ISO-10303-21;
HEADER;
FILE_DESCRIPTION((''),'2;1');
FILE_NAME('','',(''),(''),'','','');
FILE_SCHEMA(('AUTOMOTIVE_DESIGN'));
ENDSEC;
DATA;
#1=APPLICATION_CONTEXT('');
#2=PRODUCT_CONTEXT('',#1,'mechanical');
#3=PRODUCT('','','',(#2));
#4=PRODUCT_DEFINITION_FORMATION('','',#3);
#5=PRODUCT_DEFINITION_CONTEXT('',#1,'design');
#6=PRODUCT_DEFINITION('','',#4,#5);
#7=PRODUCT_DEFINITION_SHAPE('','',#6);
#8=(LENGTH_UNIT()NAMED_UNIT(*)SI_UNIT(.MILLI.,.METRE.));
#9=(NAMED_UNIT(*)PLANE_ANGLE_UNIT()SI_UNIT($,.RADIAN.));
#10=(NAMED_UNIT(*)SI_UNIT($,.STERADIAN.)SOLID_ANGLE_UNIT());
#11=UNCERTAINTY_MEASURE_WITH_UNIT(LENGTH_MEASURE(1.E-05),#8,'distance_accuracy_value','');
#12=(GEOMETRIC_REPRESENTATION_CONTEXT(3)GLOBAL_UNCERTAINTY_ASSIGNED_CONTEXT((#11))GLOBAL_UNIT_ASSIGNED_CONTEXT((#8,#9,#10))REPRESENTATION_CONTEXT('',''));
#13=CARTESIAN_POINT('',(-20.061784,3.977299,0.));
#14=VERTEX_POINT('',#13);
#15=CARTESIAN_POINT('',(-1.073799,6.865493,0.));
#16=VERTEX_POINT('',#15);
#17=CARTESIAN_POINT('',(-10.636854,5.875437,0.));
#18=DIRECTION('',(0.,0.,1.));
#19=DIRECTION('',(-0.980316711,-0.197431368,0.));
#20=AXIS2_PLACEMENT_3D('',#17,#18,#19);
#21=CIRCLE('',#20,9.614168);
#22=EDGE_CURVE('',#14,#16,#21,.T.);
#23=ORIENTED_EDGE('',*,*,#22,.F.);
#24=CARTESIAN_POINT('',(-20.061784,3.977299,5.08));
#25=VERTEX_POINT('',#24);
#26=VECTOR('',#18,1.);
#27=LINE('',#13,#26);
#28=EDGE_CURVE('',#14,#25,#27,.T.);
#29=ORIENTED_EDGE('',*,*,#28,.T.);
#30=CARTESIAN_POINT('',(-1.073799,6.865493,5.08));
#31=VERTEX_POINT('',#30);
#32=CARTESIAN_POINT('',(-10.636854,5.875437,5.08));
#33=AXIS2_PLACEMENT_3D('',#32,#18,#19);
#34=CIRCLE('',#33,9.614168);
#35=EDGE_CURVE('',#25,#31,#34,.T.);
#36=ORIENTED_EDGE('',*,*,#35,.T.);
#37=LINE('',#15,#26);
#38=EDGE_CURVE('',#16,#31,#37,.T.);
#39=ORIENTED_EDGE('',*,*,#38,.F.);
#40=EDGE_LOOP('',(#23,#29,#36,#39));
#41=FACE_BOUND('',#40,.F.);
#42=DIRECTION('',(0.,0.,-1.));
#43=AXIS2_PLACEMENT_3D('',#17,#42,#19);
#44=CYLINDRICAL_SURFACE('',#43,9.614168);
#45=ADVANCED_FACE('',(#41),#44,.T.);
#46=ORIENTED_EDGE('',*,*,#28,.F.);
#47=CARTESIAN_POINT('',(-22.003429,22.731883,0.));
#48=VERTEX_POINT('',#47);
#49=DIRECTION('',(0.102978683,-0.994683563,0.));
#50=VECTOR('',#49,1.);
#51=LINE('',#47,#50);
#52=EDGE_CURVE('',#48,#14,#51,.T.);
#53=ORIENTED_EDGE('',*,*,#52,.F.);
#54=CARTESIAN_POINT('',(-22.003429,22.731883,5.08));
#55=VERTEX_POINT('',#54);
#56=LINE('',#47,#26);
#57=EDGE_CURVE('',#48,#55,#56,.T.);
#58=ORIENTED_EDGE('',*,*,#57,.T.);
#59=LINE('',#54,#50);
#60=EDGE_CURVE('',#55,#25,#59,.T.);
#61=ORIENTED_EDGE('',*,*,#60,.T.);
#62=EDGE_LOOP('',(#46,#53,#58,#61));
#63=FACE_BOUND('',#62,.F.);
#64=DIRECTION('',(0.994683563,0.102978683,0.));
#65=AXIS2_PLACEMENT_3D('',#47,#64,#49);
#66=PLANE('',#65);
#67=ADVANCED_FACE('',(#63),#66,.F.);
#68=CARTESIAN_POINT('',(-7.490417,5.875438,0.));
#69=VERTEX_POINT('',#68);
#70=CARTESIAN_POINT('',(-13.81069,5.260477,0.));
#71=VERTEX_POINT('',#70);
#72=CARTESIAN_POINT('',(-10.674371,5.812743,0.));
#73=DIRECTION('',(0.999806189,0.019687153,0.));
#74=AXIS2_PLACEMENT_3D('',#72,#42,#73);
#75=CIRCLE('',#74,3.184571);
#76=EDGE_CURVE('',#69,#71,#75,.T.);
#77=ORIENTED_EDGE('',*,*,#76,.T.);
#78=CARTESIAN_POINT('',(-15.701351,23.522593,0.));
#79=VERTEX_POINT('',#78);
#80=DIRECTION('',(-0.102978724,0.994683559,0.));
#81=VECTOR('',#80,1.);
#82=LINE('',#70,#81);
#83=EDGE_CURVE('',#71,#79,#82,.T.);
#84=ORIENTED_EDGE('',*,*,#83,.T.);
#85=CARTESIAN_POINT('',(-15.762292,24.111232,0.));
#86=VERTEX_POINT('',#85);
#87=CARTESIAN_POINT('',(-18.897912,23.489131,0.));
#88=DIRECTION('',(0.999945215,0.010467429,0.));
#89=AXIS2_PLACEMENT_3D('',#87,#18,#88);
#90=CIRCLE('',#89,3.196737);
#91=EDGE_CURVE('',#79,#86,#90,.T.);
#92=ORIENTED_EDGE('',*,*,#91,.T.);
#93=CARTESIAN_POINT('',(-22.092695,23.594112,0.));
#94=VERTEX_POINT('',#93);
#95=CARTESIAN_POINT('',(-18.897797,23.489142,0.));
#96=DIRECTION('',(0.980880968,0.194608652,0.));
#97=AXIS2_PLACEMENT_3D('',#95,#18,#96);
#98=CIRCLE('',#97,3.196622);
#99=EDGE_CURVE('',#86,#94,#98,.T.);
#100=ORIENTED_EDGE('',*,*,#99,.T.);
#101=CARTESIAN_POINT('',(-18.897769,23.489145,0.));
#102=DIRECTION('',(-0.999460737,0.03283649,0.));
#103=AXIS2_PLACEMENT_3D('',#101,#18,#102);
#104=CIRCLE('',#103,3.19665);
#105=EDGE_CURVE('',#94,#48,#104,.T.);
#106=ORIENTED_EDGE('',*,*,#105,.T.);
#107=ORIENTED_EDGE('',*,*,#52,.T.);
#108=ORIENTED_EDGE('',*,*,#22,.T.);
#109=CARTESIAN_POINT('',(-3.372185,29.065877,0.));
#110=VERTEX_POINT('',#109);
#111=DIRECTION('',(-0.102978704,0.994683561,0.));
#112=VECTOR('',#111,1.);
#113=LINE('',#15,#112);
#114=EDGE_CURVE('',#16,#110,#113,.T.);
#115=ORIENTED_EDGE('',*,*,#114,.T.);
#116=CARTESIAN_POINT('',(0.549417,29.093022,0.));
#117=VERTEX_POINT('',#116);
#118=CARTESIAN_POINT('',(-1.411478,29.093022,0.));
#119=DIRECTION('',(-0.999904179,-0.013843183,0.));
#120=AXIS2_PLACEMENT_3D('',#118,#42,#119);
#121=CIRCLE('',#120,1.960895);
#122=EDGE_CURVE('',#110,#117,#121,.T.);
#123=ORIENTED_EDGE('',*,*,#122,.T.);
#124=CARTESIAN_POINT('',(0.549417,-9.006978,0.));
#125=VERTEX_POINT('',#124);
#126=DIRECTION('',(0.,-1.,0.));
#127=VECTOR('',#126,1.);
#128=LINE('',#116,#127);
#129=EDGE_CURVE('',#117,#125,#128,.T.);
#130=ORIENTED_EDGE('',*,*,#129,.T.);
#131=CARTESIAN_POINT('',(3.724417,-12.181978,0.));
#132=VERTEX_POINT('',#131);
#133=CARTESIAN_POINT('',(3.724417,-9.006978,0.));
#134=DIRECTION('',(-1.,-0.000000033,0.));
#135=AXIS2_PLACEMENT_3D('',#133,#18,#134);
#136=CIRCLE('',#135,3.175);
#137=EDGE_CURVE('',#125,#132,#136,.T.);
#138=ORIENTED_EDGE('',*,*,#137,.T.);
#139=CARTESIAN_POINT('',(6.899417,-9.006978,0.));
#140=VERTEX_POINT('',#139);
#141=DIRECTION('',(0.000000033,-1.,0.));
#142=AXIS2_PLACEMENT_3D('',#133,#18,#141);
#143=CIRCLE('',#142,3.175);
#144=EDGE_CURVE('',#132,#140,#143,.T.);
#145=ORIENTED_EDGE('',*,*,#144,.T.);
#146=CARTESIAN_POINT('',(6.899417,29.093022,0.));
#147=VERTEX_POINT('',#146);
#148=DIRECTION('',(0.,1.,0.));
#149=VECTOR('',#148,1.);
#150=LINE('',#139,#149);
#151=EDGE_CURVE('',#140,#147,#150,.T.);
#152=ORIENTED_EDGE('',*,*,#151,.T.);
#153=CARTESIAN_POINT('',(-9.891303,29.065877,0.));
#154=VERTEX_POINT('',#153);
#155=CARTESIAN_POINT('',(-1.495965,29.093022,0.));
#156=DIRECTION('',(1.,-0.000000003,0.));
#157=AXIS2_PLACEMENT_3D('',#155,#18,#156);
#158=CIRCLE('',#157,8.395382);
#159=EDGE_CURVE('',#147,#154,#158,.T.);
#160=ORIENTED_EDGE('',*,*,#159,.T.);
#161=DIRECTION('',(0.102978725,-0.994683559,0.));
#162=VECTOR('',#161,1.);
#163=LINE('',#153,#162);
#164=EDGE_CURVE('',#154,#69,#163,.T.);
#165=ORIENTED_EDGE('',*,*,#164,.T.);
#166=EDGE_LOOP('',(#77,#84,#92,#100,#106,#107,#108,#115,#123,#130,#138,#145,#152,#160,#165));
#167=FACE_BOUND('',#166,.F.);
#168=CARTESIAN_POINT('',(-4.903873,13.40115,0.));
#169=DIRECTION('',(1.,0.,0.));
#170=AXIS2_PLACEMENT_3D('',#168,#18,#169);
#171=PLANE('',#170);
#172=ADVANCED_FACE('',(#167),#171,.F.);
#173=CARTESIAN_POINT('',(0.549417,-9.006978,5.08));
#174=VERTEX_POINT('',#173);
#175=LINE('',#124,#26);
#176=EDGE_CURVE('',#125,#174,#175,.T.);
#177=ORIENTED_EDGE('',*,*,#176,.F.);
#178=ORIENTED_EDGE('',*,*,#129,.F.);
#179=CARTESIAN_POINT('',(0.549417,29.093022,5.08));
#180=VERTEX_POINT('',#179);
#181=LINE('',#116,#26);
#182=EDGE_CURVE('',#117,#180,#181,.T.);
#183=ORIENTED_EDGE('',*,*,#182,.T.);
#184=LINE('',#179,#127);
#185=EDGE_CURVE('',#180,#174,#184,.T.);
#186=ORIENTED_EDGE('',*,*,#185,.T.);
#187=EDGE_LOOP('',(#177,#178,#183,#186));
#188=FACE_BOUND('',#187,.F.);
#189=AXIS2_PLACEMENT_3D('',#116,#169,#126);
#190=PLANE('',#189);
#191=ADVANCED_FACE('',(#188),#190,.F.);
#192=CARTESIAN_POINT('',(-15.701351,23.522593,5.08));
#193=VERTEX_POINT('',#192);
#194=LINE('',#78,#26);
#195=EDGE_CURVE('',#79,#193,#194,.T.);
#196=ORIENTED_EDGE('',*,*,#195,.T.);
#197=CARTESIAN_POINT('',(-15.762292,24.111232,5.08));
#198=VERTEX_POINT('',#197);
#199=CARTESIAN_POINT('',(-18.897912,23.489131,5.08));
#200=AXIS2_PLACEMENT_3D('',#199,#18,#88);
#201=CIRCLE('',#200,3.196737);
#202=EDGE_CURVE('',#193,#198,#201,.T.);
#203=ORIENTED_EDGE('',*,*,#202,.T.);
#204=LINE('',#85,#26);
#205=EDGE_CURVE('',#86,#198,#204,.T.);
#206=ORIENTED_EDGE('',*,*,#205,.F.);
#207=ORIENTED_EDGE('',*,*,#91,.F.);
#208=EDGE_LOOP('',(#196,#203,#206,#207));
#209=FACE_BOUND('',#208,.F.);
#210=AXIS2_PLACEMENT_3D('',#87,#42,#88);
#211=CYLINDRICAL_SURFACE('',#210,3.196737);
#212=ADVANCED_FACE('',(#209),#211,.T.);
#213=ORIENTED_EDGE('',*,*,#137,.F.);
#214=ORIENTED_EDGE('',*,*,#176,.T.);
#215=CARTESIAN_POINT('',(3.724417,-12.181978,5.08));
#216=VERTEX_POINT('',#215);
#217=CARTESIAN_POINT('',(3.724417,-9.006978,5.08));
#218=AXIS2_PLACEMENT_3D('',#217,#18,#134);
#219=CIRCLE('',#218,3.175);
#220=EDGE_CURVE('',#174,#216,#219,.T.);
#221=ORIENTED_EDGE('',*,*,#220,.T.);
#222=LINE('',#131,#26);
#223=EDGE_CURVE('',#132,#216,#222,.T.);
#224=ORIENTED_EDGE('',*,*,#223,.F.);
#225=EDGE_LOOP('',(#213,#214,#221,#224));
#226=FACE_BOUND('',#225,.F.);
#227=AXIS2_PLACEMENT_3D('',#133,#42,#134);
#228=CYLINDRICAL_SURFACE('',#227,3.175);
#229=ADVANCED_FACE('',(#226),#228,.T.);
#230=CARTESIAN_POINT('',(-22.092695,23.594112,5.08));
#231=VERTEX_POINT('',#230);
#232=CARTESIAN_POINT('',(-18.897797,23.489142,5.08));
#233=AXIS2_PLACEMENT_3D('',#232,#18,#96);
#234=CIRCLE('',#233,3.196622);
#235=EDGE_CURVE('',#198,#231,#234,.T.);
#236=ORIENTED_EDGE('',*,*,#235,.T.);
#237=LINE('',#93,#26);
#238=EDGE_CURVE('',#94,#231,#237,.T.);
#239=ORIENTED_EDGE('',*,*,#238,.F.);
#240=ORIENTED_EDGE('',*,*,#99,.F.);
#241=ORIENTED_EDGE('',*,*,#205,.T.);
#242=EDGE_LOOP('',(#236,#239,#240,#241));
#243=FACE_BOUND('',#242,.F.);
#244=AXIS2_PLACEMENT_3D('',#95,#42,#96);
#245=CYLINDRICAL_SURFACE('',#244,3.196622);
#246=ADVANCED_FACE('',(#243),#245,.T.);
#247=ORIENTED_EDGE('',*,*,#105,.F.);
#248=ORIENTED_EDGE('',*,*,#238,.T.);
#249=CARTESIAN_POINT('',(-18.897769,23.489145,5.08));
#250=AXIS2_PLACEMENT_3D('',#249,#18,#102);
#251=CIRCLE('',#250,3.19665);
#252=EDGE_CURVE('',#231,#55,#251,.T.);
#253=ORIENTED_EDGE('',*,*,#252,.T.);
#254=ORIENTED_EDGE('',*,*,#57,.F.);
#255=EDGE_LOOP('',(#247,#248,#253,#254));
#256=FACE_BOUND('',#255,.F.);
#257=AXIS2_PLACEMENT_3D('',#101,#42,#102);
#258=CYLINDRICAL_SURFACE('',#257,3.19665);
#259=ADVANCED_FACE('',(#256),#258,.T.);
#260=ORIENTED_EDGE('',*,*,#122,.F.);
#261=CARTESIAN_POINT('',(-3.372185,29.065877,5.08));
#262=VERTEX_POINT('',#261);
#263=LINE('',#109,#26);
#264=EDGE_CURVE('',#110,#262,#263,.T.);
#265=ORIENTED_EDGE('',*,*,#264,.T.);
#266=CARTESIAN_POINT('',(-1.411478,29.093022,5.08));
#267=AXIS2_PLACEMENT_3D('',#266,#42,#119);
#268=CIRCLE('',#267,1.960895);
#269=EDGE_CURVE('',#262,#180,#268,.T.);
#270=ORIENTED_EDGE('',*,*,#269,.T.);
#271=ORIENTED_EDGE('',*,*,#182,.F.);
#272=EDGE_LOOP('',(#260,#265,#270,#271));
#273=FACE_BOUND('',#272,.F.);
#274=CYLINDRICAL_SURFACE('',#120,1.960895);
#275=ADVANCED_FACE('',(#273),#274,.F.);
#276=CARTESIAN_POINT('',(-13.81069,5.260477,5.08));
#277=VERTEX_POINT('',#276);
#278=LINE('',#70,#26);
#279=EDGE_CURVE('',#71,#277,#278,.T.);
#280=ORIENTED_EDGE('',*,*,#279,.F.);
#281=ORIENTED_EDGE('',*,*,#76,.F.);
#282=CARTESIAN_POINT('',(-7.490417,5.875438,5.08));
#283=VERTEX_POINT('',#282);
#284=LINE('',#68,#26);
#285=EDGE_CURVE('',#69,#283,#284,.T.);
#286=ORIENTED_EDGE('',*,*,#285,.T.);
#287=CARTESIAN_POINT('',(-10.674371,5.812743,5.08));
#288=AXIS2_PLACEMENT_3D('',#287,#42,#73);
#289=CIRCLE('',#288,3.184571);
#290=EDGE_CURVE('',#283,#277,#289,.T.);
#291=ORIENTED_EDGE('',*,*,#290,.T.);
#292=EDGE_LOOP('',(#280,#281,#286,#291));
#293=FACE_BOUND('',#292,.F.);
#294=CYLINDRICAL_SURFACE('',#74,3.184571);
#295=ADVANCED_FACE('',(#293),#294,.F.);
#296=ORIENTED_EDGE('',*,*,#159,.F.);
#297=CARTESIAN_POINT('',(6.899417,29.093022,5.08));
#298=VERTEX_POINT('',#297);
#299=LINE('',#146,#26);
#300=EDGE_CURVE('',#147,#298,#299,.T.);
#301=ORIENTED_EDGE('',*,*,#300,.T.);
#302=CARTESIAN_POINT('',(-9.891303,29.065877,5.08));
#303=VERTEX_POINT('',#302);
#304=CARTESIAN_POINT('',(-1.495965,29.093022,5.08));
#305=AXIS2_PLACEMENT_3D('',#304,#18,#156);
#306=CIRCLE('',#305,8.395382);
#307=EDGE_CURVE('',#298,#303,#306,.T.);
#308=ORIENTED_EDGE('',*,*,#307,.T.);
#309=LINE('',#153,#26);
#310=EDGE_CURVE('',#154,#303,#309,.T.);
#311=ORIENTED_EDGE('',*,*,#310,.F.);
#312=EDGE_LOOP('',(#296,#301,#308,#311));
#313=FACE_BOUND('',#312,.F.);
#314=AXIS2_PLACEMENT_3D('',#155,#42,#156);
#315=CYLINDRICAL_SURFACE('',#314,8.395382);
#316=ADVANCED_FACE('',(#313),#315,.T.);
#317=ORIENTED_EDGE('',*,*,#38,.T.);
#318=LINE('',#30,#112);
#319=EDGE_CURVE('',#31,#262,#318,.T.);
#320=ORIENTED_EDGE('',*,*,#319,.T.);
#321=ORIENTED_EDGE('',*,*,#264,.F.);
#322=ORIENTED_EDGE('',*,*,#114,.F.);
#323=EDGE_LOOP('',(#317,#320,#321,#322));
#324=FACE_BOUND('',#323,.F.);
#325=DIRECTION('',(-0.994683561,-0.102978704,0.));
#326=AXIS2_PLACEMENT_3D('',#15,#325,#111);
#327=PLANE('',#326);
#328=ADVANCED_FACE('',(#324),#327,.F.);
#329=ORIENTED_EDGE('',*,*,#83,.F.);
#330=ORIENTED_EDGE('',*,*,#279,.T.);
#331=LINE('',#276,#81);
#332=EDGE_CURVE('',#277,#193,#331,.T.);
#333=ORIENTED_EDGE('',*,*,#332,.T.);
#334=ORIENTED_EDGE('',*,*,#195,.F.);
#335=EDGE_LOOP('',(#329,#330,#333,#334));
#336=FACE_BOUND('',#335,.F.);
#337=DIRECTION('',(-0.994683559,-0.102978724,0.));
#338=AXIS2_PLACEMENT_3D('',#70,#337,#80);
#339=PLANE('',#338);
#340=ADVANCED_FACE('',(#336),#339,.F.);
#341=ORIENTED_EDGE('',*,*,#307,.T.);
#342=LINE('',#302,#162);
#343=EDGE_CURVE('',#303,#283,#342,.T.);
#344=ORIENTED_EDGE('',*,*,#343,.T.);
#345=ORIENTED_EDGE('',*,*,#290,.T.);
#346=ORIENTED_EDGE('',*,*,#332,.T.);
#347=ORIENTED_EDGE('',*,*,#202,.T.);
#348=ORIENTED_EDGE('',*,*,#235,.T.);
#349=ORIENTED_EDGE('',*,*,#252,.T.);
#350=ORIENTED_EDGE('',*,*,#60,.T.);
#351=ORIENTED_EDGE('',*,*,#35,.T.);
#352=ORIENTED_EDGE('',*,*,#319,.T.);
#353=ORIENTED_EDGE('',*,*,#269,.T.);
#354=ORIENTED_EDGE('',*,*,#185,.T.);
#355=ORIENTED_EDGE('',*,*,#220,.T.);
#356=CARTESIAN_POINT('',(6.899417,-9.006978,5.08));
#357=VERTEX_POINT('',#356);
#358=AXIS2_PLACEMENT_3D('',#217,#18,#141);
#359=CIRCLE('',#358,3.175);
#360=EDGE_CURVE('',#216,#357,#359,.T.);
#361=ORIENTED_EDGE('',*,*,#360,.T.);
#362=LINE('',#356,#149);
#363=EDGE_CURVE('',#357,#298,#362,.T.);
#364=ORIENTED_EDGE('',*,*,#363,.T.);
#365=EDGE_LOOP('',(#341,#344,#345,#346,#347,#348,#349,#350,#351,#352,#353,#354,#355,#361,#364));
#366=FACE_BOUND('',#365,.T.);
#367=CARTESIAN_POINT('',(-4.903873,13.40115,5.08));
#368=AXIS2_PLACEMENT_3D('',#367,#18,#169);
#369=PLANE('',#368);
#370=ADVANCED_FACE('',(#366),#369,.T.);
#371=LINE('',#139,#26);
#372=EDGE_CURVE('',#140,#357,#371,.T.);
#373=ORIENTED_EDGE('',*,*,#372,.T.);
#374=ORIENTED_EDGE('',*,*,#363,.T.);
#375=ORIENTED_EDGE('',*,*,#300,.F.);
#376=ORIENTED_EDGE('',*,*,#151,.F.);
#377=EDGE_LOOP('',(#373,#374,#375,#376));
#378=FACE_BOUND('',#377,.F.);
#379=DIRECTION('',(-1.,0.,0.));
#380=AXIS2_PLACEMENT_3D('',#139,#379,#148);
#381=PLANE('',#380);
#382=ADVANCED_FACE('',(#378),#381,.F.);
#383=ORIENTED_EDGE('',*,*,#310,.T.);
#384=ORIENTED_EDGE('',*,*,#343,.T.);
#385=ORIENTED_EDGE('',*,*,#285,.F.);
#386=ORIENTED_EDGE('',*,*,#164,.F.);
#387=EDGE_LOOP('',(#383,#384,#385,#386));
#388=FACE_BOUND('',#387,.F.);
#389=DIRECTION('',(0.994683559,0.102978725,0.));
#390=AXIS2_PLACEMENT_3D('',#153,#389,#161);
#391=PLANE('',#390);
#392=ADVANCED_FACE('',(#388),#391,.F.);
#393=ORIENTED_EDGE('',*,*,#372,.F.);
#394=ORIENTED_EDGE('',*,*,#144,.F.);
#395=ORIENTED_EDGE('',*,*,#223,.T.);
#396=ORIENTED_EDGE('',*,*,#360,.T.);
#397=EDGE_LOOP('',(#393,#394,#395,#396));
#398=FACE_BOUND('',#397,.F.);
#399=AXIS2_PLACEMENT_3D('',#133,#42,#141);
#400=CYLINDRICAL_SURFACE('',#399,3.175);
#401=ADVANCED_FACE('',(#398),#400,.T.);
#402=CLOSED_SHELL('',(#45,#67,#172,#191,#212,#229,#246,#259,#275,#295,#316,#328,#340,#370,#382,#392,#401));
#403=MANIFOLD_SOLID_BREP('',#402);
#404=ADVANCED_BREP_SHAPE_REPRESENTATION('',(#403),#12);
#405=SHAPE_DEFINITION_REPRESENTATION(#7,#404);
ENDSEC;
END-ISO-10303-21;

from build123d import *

# Parameters (mm, degrees)
F1_DEPTH = 5.08


with BuildPart() as f1:
    # F0 (on Top) → F1 (new body)
    with BuildSketch(Plane.XY):
        with BuildLine():
            Line((0.549417, 29.093022), (0.549417, -9.006978))
            ThreePointArc((0.549417, -9.006978), (1.479353, -11.252042), (3.724417, -12.181978))
            ThreePointArc((3.724417, -12.181978), (5.969481, -11.252042), (6.899417, -9.006978))
            Line((6.899417, -9.006978), (6.899417, 29.093022))
            ThreePointArc((6.899417, 29.093022), (-1.509537, 37.488393), (-9.891303, 29.065877))
            Line((-9.891303, 29.065877), (-7.490417, 5.875438))
            ThreePointArc((-7.490417, 5.875438), (-10.365969, 2.64314), (-13.81069, 5.260477))
            Line((-13.81069, 5.260477), (-15.701351, 23.522593))
            Line((-15.701351, 23.522593), (-15.762292, 24.111232))
            ThreePointArc((-15.762292, 24.111232), (-19.158057, 26.675151), (-22.092695, 23.594112))
            Line((-22.092695, 23.594112), (-22.003429, 22.731883))
            Line((-22.003429, 22.731883), (-20.061784, 3.977299))
            ThreePointArc((-20.061784, 3.977299), (-9.191107, -3.629406), (-1.073799, 6.865493))
            Line((-1.073799, 6.865493), (-3.372185, 29.065877))
            ThreePointArc((-3.372185, 29.065877), (-1.425051, 31.05387), (0.549417, 29.093022))
        make_face()
        with BuildLine():
            ThreePointArc((-22.092695, 23.594112), (-22.077424, 23.159958), (-22.003429, 22.731883))
            Line((-22.003429, 22.731883), (-22.092695, 23.594112))
        make_face()
        with BuildLine():
            ThreePointArc((-15.701351, 23.522593), (-15.718171, 23.818326), (-15.762292, 24.111232))
            Line((-15.762292, 24.111232), (-15.701351, 23.522593))
        make_face()
    extrude(amount=F1_DEPTH)


solid = f1.part
